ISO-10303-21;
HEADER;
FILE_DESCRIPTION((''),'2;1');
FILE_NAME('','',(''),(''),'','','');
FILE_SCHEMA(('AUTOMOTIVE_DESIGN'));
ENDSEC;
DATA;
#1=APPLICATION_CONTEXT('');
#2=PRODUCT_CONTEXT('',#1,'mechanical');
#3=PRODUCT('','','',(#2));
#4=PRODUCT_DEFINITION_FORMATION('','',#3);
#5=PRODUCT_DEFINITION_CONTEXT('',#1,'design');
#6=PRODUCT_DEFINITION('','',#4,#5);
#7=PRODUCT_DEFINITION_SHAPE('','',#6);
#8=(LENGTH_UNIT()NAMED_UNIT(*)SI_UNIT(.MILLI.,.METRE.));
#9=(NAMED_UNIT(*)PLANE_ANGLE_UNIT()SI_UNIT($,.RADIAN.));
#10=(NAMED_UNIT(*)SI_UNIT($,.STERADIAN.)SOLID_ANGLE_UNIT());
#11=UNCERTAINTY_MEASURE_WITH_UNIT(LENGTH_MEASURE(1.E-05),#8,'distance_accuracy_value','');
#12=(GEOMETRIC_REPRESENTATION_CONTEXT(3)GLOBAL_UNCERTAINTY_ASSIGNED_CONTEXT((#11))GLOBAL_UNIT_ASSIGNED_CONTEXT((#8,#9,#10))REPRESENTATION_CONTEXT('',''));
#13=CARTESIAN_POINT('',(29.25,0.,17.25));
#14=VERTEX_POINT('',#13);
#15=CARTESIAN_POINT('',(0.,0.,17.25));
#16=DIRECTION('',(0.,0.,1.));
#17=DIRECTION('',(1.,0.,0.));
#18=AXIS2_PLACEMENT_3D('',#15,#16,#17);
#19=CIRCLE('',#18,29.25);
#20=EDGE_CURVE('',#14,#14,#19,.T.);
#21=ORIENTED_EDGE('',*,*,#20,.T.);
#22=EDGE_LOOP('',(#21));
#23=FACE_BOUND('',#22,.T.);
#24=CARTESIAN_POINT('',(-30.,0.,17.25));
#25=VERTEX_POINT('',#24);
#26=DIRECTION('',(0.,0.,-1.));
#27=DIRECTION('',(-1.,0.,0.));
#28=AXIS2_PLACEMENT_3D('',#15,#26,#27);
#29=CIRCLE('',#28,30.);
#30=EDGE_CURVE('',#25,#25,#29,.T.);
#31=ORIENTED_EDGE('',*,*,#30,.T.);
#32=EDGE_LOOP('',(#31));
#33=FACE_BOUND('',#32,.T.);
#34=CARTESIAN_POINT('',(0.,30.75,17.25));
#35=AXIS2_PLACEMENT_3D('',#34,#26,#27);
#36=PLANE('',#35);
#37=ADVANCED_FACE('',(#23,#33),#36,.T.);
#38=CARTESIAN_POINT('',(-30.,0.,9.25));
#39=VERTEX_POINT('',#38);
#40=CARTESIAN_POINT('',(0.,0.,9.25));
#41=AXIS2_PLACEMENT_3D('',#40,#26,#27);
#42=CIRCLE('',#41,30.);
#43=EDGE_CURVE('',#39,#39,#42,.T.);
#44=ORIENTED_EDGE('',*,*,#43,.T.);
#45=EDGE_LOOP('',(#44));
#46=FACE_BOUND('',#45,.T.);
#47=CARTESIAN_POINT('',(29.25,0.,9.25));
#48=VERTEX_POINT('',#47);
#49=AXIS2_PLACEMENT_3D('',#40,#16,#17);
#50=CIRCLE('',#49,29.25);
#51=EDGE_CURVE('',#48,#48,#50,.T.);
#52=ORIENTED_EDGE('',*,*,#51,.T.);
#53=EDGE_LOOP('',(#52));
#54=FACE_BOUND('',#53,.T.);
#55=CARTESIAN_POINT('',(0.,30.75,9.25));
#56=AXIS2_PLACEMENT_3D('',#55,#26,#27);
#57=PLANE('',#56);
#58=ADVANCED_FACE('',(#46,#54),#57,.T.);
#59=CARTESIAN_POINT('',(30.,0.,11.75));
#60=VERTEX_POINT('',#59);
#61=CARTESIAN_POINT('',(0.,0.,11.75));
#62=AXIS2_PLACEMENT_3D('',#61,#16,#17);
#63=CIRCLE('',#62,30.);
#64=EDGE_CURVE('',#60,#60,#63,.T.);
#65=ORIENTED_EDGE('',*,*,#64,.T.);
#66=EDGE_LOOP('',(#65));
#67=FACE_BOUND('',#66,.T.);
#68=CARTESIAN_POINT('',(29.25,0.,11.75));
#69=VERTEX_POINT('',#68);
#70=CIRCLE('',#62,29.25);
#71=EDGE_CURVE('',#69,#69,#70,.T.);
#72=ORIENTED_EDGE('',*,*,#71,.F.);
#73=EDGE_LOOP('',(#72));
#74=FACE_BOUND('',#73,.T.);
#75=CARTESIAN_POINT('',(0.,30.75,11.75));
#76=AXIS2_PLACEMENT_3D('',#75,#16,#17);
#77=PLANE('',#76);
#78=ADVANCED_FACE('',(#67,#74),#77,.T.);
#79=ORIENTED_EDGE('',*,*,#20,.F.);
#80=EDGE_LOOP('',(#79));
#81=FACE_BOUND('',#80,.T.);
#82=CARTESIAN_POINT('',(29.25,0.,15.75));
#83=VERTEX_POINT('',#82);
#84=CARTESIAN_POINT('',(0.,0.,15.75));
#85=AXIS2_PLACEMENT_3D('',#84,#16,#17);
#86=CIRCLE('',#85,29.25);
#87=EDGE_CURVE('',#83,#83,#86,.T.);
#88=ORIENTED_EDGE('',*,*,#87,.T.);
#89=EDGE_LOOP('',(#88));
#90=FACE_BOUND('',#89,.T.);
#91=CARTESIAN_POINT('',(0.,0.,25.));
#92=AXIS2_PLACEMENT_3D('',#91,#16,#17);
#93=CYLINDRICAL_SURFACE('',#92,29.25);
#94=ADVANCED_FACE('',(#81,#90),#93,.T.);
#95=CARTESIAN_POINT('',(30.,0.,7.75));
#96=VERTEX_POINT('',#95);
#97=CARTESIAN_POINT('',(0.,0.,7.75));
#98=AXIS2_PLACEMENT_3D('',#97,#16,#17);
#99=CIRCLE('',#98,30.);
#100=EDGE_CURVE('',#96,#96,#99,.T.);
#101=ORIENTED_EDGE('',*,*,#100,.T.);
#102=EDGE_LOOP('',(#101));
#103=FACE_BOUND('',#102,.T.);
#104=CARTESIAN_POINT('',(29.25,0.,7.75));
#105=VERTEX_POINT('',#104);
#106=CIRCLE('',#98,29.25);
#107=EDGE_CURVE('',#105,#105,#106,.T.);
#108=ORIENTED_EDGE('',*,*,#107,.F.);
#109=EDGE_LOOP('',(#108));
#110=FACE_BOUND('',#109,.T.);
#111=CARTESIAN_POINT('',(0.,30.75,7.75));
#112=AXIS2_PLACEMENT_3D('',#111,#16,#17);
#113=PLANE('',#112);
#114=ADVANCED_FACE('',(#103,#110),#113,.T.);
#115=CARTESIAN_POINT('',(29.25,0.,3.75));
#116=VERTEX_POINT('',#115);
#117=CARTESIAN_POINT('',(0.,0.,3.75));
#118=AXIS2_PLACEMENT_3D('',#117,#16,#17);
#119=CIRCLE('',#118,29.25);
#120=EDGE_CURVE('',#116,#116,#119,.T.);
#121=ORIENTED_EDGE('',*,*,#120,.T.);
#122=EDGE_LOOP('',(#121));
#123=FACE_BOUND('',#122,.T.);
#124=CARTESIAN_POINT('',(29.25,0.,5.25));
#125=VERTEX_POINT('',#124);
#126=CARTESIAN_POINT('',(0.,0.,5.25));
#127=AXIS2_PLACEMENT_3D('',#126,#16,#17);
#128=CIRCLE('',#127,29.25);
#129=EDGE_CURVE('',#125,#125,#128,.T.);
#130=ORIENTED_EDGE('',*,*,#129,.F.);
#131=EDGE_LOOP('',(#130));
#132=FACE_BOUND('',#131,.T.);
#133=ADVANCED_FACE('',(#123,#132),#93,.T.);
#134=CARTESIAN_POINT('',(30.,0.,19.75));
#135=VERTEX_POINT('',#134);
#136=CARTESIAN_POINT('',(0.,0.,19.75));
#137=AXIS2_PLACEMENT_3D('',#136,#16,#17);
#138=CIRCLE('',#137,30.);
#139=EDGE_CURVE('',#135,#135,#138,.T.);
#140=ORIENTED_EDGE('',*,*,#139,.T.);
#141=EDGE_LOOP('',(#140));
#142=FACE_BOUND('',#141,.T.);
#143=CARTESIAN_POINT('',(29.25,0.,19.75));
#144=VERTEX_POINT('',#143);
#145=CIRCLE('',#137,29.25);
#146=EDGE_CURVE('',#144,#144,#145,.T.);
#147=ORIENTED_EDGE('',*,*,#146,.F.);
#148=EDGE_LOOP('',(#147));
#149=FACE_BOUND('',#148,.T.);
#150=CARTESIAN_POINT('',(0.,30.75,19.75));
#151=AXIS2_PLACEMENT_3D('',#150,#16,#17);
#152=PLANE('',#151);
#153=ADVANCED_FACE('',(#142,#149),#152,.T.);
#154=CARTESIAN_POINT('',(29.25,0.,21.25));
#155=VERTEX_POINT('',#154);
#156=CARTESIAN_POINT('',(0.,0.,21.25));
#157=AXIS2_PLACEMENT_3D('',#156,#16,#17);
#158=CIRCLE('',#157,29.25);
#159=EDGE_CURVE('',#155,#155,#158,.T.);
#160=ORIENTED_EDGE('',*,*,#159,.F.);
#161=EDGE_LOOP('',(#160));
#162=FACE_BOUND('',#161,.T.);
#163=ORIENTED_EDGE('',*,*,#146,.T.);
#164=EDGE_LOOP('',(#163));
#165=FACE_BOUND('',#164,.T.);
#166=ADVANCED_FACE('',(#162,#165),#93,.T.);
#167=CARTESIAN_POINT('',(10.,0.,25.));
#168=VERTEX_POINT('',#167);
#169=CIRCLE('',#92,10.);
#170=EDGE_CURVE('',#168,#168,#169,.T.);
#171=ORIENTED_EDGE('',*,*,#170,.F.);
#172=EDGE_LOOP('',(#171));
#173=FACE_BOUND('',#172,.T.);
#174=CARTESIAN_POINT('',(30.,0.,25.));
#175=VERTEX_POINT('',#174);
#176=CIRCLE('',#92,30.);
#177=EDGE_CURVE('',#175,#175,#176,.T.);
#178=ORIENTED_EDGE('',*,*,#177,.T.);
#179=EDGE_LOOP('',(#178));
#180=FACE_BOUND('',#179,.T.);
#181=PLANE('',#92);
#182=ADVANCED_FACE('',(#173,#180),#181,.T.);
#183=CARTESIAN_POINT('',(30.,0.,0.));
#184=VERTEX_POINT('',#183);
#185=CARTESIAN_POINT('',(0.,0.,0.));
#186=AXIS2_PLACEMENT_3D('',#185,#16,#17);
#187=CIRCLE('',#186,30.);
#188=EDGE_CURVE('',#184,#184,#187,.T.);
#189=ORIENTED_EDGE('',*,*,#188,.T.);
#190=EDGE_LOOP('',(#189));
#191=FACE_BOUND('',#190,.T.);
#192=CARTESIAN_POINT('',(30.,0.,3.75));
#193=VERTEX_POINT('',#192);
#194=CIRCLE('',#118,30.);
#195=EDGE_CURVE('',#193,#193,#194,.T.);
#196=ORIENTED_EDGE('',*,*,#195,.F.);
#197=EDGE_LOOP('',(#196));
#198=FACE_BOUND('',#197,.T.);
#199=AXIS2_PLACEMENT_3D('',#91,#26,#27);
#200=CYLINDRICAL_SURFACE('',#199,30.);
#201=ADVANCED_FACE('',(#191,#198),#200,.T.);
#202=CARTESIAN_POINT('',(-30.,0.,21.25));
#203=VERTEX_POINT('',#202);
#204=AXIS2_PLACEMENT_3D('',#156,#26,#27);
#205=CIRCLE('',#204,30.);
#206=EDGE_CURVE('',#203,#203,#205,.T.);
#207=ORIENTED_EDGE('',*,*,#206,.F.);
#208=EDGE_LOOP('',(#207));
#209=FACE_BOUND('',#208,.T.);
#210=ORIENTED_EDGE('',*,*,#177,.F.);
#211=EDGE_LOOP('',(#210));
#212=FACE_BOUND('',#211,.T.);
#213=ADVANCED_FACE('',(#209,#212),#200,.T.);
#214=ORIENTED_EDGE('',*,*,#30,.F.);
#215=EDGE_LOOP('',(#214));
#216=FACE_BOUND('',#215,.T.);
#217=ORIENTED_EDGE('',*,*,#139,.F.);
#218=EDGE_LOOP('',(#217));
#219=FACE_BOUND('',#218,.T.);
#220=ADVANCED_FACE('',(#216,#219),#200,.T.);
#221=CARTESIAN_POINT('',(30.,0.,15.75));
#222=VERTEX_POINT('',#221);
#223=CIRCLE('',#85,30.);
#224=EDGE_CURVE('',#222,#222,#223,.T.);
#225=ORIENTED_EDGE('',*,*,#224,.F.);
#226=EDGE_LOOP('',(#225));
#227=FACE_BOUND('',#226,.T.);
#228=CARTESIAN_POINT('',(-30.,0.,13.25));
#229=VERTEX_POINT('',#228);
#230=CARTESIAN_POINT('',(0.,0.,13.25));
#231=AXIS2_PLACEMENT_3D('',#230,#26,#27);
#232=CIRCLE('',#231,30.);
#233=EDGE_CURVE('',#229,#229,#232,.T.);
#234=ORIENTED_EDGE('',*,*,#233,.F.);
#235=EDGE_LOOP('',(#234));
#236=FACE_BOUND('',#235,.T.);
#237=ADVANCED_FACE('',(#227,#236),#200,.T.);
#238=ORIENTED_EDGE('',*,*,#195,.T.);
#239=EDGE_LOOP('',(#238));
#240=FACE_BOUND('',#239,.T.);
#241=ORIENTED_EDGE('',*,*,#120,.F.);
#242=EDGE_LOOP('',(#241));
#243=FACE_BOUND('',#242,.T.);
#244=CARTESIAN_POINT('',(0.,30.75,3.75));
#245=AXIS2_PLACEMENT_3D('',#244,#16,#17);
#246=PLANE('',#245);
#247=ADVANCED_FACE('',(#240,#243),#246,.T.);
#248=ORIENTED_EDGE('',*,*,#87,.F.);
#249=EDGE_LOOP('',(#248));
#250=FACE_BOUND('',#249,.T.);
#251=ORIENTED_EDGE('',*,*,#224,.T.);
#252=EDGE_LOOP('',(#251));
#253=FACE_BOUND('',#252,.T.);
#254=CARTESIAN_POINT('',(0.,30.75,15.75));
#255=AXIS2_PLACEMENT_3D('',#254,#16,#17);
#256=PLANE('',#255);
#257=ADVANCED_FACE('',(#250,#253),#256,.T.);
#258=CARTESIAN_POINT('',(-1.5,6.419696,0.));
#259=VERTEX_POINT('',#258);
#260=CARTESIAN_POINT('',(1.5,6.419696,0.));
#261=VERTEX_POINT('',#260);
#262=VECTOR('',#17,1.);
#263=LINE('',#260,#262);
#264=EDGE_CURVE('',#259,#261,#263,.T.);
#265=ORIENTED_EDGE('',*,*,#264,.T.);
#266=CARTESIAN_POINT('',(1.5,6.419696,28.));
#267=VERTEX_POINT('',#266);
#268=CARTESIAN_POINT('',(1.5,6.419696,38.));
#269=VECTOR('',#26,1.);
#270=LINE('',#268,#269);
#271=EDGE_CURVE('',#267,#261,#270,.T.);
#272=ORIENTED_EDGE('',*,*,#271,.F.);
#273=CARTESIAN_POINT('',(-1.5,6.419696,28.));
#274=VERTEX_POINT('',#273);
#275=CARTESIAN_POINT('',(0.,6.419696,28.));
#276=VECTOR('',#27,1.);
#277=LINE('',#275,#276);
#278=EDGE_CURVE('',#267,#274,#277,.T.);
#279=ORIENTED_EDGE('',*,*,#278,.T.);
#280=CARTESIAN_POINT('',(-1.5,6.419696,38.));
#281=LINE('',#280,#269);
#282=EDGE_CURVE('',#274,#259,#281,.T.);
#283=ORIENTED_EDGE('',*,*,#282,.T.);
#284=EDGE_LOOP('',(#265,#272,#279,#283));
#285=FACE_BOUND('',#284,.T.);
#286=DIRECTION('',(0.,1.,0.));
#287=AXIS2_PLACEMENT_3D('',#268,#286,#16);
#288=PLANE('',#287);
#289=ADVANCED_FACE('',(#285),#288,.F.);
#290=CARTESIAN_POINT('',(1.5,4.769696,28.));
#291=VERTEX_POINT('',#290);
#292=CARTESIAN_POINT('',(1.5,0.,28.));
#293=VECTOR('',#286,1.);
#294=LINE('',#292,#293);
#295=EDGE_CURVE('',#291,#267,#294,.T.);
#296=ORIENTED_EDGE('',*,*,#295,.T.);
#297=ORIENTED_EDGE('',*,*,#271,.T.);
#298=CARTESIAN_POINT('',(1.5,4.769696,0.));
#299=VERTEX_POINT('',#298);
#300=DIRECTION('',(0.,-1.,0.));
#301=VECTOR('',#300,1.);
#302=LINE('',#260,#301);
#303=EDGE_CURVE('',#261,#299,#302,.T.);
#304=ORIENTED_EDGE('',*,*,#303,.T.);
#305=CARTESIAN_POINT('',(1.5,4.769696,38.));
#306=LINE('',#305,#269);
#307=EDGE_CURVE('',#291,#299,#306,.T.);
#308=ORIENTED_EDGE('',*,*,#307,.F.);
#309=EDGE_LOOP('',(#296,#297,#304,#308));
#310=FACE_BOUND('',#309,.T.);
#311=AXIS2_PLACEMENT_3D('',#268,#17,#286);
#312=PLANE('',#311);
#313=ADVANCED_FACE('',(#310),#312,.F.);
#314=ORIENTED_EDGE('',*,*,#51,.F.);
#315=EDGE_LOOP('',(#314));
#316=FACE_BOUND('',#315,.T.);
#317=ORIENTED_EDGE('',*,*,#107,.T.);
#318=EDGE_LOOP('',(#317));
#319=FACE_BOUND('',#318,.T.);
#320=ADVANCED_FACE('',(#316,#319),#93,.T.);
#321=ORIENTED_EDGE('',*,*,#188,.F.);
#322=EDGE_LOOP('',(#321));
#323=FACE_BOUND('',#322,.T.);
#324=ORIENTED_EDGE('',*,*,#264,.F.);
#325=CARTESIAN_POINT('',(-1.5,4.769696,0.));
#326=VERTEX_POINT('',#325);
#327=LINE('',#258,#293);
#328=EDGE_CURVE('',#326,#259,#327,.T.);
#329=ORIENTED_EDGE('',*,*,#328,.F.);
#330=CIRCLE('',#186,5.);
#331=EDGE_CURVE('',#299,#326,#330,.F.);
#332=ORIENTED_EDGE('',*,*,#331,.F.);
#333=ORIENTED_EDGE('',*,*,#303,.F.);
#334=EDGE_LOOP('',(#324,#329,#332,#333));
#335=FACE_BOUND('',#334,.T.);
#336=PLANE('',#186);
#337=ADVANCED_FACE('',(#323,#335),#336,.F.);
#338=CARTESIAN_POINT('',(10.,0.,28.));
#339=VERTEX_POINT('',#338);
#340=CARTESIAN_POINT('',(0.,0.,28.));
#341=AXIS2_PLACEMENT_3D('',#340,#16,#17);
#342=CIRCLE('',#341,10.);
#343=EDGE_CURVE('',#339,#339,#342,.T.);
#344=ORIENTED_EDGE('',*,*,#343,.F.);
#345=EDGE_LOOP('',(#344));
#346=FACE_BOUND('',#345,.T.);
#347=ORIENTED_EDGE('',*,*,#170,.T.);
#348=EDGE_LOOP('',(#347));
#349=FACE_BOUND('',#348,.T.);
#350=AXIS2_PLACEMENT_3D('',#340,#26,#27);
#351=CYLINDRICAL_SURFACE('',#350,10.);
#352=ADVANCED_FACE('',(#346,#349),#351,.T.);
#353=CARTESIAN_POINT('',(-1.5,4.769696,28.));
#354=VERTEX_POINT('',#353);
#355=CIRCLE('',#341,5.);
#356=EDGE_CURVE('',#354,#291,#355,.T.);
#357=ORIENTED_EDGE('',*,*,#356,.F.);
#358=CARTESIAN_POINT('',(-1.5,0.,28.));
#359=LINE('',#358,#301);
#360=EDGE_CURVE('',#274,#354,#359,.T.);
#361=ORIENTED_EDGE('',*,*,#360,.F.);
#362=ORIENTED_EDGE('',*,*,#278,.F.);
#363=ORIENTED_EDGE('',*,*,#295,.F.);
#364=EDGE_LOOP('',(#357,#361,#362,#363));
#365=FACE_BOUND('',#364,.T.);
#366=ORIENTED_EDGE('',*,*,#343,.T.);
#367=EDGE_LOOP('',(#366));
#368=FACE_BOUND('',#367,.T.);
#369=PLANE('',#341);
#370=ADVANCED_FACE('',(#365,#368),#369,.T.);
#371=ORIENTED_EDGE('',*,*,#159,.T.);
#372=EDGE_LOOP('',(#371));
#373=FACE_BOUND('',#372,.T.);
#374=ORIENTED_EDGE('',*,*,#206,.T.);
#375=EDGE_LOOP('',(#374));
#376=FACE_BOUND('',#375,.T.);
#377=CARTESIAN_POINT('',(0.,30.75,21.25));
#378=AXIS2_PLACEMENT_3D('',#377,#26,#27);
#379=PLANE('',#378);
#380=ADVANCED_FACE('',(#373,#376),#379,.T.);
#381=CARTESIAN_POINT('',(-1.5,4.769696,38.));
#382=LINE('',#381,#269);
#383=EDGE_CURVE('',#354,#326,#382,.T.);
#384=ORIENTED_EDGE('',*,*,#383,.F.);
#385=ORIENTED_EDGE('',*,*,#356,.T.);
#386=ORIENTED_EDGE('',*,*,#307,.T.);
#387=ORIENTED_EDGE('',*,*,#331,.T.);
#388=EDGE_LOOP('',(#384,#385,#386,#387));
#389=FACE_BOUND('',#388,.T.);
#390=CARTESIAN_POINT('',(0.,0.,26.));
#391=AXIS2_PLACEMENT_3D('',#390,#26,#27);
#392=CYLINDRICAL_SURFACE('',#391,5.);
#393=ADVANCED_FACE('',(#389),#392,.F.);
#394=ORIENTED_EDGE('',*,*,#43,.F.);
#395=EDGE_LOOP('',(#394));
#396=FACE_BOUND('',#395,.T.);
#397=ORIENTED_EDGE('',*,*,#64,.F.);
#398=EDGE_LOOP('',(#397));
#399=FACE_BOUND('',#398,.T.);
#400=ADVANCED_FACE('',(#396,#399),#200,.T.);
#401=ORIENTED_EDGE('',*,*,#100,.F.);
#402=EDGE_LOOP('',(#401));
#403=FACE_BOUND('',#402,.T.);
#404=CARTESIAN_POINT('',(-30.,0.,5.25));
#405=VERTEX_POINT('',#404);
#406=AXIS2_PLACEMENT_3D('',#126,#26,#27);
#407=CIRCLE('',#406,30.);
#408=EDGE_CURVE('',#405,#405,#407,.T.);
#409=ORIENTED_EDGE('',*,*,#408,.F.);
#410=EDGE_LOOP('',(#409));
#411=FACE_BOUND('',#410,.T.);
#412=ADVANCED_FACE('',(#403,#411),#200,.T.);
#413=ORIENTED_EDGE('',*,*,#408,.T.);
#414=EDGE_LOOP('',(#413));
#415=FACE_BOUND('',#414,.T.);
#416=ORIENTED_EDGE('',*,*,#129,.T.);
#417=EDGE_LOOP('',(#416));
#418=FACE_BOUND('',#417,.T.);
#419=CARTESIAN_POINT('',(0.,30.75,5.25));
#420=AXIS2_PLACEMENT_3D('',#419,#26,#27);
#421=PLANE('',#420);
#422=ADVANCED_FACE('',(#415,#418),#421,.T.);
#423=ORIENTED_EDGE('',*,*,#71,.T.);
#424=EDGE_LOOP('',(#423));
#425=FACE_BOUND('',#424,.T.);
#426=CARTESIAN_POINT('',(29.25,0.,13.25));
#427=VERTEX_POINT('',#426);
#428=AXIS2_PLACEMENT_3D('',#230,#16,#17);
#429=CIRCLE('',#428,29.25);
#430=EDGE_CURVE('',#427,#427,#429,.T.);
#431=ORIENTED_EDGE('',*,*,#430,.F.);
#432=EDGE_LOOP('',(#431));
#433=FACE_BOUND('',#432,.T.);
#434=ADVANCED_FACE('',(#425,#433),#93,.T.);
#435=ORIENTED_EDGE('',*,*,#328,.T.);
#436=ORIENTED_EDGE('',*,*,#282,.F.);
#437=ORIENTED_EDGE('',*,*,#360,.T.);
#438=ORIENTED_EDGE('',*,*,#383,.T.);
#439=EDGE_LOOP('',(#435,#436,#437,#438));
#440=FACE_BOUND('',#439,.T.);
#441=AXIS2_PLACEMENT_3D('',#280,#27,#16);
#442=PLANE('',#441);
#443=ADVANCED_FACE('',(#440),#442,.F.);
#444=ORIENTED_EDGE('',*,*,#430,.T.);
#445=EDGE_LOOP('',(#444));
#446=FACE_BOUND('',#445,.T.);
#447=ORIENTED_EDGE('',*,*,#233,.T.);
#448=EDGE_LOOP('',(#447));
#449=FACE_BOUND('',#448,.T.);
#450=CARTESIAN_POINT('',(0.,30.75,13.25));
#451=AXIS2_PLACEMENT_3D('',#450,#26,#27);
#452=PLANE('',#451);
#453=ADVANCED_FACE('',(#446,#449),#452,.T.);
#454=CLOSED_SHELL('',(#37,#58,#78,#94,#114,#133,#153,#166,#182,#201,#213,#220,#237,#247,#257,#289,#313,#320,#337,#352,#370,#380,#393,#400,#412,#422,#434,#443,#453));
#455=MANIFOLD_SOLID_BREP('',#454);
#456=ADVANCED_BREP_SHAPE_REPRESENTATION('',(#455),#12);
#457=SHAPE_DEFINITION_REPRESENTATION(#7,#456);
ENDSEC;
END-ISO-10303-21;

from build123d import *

# Parameters (mm, degrees)
SKETCH1_R               = 30
BOSS_EXTRUDE1_DEPTH     = 25
CUT_EXTRUDE1_DEPTH      = 1
CUT_EXTRUDE1_DEPTH_BACK = 43
SKETCH2_R               = 5
SKETCH3_W               = 1.5
SKETCH3_H               = 1.5
SKETCH5_R               = 10
BOSS_EXTRUDE2_DEPTH     = 3
SKETCH6_R               = 5
CUT_EXTRUDE3_DEPTH      = 3
CUT_EXTRUDE4_START      = -38
CUT_EXTRUDE4_DEPTH      = 38


with BuildPart() as part:
    # Sketch1 → Boss-Extrude1 (new body)
    with BuildSketch(Plane.XY):
        Circle(SKETCH1_R)
    extrude(amount=BOSS_EXTRUDE1_DEPTH)

    # Sketch2 → Cut-Extrude1 (cut, two sides: drawn at the far end of the back side and taken through both)
    with BuildSketch(Plane.XY.offset(25).offset(-CUT_EXTRUDE1_DEPTH_BACK)):
        Circle(SKETCH2_R)
    extrude(amount=CUT_EXTRUDE1_DEPTH + CUT_EXTRUDE1_DEPTH_BACK, mode=Mode.SUBTRACT)

    # Sketch3 → Cut-Revolve2 (revolve, cut)
    with BuildSketch(Plane(origin=(0, 0, 0), x_dir=(0, 0, -1), z_dir=(1, 0, 0)), mode=Mode.PRIVATE) as cut_revolve2_sk:
        with Locations((-12.5, 30)):
            Rectangle(SKETCH3_W, SKETCH3_H)
        with Locations((-8.5, 30)):
            Rectangle(SKETCH3_W, SKETCH3_H)
        with Locations((-4.5, 30)):
            Rectangle(SKETCH3_W, SKETCH3_H)
        with Locations((-16.5, 30)):
            Rectangle(SKETCH3_W, SKETCH3_H)
        with Locations((-20.5, 30)):
            Rectangle(SKETCH3_W, SKETCH3_H)
    revolve(cut_revolve2_sk.sketch.rotate(Axis((0, 0, 25), (0, 0, -1)), 90), axis=Axis((0, 0, 25), (0, 0, -1)), mode=Mode.SUBTRACT)

    # Sketch5 → Boss-Extrude2 (add)
    with BuildSketch(Plane.XY.offset(25)):
        Circle(SKETCH5_R)
    extrude(amount=BOSS_EXTRUDE2_DEPTH)

    # Sketch6 → Cut-Extrude3 (cut)
    with BuildSketch(Plane.XY.offset(28)):
        Circle(SKETCH6_R)
    extrude(amount=-CUT_EXTRUDE3_DEPTH, mode=Mode.SUBTRACT)

    # Sketch7 → Cut-Extrude4 (cut)
    with BuildSketch(Plane(origin=(0, 0, 0), x_dir=(-1, 0, 0), z_dir=(0, 0, -1)).offset(CUT_EXTRUDE4_START)):
        with BuildLine():
            Line((-1.5, 6.419696007), (1.5, 6.419696007))
            Line((1.5, 6.419696007), (1.5, 4.769696007))
            ThreePointArc((1.5, 4.769696007), (0, 5), (-1.5, 4.769696007))
            Line((-1.5, 4.769696007), (-1.5, 6.419696007))
        make_face()
    extrude(amount=CUT_EXTRUDE4_DEPTH, mode=Mode.SUBTRACT)


solid = part.part
